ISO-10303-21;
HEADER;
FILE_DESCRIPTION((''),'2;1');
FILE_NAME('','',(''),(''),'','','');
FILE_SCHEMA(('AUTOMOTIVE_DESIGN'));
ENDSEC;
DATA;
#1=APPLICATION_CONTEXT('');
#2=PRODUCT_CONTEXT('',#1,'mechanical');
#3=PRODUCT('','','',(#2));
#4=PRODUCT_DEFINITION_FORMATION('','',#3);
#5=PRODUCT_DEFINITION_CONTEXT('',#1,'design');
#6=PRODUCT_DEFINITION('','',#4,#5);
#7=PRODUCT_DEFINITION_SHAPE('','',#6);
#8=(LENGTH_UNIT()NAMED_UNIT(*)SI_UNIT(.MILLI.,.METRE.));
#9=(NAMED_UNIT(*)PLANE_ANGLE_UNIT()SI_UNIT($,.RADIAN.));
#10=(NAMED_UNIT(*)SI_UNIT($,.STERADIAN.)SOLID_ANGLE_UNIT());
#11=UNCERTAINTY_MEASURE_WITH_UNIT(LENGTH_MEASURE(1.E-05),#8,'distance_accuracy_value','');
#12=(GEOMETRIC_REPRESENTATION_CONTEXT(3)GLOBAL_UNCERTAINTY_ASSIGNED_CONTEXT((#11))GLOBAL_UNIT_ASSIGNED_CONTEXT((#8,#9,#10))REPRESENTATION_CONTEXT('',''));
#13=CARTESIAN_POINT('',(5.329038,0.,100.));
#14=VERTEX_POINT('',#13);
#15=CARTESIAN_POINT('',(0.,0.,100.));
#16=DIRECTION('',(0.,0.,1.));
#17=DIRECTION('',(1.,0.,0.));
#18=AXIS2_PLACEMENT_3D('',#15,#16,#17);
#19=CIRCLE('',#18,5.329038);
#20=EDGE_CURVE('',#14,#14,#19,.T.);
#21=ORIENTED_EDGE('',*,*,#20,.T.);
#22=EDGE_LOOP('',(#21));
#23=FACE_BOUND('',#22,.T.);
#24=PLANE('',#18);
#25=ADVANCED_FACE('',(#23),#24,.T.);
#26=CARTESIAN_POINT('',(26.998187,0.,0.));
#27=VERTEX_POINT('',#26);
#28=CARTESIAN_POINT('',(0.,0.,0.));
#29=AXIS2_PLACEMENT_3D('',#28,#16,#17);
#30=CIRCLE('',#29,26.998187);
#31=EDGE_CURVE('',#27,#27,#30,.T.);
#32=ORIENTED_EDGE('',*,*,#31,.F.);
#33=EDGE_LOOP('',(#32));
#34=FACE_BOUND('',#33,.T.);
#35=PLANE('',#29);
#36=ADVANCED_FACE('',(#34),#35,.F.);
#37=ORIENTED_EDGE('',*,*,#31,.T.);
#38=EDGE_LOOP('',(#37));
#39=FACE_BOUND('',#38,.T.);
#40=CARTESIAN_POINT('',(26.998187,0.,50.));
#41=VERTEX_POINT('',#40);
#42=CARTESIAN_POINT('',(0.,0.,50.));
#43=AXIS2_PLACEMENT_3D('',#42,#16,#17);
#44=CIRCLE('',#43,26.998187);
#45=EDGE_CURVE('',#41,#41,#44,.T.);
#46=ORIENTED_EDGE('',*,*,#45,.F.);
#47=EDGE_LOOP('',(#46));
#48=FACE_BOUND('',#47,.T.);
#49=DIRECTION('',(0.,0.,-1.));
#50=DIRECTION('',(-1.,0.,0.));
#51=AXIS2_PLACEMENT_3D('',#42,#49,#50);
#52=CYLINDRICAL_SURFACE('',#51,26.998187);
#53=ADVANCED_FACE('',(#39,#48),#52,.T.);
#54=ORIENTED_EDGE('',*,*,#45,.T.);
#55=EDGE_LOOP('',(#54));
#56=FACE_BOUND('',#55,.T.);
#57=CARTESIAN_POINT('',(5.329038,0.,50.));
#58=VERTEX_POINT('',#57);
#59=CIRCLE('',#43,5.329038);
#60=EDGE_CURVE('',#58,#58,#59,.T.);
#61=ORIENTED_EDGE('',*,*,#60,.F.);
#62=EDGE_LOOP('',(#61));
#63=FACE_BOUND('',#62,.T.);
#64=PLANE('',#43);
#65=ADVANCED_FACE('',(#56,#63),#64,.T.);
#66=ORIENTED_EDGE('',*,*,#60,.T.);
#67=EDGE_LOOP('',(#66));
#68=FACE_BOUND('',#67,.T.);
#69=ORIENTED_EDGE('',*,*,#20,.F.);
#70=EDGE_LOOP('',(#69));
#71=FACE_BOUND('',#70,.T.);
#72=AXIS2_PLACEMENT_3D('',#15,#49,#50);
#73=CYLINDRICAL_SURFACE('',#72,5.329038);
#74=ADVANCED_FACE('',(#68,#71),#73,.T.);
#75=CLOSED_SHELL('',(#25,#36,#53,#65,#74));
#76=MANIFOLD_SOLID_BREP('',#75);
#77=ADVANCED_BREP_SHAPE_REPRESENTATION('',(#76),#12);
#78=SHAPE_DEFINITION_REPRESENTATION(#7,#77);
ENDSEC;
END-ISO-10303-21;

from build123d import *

# Parameters (mm, degrees)
SKETCH1_R           = 26.998187242
BOSS_EXTRUDE1_DEPTH = 50
SKETCH2_R           = 5.329038479
BOSS_EXTRUDE2_DEPTH = 50


with BuildPart() as part:
    # Sketch1 → Boss-Extrude1 (new body)
    with BuildSketch(Plane.XY):
        Circle(SKETCH1_R)
    extrude(amount=BOSS_EXTRUDE1_DEPTH)

    # Sketch2 → Boss-Extrude2 (add)
    with BuildSketch(Plane.XY.offset(50)):
        Circle(SKETCH2_R)
    extrude(amount=BOSS_EXTRUDE2_DEPTH)


solid = part.part
